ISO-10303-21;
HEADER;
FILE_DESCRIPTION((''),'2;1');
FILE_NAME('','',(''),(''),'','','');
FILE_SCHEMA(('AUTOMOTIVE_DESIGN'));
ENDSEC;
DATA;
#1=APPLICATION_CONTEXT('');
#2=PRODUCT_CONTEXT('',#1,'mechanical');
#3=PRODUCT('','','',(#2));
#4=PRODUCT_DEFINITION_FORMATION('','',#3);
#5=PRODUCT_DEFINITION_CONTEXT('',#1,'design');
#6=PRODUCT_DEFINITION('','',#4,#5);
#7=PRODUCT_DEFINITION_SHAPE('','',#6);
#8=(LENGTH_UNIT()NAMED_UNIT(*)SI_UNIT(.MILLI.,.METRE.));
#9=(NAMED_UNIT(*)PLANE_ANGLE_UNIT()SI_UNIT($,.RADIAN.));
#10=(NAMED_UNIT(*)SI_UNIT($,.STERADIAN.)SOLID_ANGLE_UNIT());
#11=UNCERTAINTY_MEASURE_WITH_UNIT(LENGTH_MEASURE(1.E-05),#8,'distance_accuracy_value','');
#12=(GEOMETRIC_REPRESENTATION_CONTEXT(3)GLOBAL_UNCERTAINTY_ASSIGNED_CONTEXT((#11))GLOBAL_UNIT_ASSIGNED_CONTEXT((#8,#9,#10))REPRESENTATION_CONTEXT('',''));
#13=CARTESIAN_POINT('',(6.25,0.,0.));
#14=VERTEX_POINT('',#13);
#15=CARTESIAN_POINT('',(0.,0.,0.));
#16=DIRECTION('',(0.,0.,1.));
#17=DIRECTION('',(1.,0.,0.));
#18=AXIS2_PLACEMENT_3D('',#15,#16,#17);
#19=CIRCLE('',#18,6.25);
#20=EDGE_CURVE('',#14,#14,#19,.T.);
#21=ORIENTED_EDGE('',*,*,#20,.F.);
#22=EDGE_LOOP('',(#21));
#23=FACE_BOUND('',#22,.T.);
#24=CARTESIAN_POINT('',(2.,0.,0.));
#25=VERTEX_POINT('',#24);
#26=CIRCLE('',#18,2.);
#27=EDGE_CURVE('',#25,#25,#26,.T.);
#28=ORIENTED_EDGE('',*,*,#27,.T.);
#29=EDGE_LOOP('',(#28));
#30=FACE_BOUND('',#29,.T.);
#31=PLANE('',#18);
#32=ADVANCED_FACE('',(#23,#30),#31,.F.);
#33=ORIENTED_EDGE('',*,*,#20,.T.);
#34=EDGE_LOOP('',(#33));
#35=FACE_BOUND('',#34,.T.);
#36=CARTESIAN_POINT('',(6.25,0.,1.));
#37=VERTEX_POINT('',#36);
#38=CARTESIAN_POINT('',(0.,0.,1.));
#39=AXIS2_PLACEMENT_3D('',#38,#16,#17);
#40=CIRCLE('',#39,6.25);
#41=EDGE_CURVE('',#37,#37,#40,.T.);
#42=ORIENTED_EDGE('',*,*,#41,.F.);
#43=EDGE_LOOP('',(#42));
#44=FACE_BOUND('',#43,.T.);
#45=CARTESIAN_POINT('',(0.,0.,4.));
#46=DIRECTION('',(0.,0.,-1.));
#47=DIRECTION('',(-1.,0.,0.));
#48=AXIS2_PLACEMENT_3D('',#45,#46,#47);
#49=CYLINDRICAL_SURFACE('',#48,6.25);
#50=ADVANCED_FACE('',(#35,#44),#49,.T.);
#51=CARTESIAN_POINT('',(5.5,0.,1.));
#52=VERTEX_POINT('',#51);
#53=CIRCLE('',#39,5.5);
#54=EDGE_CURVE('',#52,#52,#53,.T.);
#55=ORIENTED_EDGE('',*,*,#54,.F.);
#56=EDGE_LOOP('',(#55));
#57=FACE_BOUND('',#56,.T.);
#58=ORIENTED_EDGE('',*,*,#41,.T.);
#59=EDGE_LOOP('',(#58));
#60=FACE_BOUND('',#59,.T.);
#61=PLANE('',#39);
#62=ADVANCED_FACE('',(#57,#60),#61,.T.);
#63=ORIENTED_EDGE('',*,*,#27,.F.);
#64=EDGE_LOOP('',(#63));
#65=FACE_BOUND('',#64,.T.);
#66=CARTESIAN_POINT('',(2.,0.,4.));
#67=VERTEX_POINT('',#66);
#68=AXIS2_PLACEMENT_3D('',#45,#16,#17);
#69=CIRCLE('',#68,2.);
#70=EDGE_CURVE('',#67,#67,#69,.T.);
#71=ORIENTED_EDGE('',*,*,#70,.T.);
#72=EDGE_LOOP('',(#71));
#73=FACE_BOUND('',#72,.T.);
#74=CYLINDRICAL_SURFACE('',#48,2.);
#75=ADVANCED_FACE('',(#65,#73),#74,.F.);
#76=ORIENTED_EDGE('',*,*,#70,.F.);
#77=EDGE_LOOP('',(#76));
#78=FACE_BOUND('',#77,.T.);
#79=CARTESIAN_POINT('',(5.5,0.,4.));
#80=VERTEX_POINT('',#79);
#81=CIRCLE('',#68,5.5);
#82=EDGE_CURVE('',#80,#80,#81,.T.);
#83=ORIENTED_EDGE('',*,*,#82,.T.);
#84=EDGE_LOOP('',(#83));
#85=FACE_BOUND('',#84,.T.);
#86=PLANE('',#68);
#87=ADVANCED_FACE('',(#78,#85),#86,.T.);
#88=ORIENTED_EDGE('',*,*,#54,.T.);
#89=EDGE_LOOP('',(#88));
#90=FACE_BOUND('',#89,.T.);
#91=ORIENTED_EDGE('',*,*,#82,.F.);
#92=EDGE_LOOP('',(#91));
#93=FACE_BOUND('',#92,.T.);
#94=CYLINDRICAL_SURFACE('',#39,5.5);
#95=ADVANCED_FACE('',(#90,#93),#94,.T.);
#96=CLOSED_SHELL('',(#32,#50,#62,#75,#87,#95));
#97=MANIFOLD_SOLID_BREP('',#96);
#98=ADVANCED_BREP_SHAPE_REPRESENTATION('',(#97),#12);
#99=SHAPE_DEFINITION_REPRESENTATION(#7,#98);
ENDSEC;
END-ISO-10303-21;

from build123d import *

# Parameters (mm, degrees)
SKETCH_1_R          = 6.25
SKETCH_1_R_2        = 2
EXTRUDE_1_DEPTH     = 4
CUT_EXTRUDE_START   = -3
SKETCH_2_R          = 6.25
SKETCH_2_R_2        = 5.5
CUT_EXTRUDE_1_DEPTH = 3


with BuildPart() as part:
    # 草图1 → 凸台-拉伸1 (new body)
    with BuildSketch(Plane.XY):
        Circle(SKETCH_1_R)
        Circle(SKETCH_1_R_2, mode=Mode.SUBTRACT)
    extrude(amount=EXTRUDE_1_DEPTH)

    # 草图2 → 切除-拉伸1 (cut)
    with BuildSketch(Plane.XY.offset(4).offset(CUT_EXTRUDE_START)):
        Circle(SKETCH_2_R)
        Circle(SKETCH_2_R_2, mode=Mode.SUBTRACT)
    extrude(amount=CUT_EXTRUDE_1_DEPTH, mode=Mode.SUBTRACT)


solid = part.part
